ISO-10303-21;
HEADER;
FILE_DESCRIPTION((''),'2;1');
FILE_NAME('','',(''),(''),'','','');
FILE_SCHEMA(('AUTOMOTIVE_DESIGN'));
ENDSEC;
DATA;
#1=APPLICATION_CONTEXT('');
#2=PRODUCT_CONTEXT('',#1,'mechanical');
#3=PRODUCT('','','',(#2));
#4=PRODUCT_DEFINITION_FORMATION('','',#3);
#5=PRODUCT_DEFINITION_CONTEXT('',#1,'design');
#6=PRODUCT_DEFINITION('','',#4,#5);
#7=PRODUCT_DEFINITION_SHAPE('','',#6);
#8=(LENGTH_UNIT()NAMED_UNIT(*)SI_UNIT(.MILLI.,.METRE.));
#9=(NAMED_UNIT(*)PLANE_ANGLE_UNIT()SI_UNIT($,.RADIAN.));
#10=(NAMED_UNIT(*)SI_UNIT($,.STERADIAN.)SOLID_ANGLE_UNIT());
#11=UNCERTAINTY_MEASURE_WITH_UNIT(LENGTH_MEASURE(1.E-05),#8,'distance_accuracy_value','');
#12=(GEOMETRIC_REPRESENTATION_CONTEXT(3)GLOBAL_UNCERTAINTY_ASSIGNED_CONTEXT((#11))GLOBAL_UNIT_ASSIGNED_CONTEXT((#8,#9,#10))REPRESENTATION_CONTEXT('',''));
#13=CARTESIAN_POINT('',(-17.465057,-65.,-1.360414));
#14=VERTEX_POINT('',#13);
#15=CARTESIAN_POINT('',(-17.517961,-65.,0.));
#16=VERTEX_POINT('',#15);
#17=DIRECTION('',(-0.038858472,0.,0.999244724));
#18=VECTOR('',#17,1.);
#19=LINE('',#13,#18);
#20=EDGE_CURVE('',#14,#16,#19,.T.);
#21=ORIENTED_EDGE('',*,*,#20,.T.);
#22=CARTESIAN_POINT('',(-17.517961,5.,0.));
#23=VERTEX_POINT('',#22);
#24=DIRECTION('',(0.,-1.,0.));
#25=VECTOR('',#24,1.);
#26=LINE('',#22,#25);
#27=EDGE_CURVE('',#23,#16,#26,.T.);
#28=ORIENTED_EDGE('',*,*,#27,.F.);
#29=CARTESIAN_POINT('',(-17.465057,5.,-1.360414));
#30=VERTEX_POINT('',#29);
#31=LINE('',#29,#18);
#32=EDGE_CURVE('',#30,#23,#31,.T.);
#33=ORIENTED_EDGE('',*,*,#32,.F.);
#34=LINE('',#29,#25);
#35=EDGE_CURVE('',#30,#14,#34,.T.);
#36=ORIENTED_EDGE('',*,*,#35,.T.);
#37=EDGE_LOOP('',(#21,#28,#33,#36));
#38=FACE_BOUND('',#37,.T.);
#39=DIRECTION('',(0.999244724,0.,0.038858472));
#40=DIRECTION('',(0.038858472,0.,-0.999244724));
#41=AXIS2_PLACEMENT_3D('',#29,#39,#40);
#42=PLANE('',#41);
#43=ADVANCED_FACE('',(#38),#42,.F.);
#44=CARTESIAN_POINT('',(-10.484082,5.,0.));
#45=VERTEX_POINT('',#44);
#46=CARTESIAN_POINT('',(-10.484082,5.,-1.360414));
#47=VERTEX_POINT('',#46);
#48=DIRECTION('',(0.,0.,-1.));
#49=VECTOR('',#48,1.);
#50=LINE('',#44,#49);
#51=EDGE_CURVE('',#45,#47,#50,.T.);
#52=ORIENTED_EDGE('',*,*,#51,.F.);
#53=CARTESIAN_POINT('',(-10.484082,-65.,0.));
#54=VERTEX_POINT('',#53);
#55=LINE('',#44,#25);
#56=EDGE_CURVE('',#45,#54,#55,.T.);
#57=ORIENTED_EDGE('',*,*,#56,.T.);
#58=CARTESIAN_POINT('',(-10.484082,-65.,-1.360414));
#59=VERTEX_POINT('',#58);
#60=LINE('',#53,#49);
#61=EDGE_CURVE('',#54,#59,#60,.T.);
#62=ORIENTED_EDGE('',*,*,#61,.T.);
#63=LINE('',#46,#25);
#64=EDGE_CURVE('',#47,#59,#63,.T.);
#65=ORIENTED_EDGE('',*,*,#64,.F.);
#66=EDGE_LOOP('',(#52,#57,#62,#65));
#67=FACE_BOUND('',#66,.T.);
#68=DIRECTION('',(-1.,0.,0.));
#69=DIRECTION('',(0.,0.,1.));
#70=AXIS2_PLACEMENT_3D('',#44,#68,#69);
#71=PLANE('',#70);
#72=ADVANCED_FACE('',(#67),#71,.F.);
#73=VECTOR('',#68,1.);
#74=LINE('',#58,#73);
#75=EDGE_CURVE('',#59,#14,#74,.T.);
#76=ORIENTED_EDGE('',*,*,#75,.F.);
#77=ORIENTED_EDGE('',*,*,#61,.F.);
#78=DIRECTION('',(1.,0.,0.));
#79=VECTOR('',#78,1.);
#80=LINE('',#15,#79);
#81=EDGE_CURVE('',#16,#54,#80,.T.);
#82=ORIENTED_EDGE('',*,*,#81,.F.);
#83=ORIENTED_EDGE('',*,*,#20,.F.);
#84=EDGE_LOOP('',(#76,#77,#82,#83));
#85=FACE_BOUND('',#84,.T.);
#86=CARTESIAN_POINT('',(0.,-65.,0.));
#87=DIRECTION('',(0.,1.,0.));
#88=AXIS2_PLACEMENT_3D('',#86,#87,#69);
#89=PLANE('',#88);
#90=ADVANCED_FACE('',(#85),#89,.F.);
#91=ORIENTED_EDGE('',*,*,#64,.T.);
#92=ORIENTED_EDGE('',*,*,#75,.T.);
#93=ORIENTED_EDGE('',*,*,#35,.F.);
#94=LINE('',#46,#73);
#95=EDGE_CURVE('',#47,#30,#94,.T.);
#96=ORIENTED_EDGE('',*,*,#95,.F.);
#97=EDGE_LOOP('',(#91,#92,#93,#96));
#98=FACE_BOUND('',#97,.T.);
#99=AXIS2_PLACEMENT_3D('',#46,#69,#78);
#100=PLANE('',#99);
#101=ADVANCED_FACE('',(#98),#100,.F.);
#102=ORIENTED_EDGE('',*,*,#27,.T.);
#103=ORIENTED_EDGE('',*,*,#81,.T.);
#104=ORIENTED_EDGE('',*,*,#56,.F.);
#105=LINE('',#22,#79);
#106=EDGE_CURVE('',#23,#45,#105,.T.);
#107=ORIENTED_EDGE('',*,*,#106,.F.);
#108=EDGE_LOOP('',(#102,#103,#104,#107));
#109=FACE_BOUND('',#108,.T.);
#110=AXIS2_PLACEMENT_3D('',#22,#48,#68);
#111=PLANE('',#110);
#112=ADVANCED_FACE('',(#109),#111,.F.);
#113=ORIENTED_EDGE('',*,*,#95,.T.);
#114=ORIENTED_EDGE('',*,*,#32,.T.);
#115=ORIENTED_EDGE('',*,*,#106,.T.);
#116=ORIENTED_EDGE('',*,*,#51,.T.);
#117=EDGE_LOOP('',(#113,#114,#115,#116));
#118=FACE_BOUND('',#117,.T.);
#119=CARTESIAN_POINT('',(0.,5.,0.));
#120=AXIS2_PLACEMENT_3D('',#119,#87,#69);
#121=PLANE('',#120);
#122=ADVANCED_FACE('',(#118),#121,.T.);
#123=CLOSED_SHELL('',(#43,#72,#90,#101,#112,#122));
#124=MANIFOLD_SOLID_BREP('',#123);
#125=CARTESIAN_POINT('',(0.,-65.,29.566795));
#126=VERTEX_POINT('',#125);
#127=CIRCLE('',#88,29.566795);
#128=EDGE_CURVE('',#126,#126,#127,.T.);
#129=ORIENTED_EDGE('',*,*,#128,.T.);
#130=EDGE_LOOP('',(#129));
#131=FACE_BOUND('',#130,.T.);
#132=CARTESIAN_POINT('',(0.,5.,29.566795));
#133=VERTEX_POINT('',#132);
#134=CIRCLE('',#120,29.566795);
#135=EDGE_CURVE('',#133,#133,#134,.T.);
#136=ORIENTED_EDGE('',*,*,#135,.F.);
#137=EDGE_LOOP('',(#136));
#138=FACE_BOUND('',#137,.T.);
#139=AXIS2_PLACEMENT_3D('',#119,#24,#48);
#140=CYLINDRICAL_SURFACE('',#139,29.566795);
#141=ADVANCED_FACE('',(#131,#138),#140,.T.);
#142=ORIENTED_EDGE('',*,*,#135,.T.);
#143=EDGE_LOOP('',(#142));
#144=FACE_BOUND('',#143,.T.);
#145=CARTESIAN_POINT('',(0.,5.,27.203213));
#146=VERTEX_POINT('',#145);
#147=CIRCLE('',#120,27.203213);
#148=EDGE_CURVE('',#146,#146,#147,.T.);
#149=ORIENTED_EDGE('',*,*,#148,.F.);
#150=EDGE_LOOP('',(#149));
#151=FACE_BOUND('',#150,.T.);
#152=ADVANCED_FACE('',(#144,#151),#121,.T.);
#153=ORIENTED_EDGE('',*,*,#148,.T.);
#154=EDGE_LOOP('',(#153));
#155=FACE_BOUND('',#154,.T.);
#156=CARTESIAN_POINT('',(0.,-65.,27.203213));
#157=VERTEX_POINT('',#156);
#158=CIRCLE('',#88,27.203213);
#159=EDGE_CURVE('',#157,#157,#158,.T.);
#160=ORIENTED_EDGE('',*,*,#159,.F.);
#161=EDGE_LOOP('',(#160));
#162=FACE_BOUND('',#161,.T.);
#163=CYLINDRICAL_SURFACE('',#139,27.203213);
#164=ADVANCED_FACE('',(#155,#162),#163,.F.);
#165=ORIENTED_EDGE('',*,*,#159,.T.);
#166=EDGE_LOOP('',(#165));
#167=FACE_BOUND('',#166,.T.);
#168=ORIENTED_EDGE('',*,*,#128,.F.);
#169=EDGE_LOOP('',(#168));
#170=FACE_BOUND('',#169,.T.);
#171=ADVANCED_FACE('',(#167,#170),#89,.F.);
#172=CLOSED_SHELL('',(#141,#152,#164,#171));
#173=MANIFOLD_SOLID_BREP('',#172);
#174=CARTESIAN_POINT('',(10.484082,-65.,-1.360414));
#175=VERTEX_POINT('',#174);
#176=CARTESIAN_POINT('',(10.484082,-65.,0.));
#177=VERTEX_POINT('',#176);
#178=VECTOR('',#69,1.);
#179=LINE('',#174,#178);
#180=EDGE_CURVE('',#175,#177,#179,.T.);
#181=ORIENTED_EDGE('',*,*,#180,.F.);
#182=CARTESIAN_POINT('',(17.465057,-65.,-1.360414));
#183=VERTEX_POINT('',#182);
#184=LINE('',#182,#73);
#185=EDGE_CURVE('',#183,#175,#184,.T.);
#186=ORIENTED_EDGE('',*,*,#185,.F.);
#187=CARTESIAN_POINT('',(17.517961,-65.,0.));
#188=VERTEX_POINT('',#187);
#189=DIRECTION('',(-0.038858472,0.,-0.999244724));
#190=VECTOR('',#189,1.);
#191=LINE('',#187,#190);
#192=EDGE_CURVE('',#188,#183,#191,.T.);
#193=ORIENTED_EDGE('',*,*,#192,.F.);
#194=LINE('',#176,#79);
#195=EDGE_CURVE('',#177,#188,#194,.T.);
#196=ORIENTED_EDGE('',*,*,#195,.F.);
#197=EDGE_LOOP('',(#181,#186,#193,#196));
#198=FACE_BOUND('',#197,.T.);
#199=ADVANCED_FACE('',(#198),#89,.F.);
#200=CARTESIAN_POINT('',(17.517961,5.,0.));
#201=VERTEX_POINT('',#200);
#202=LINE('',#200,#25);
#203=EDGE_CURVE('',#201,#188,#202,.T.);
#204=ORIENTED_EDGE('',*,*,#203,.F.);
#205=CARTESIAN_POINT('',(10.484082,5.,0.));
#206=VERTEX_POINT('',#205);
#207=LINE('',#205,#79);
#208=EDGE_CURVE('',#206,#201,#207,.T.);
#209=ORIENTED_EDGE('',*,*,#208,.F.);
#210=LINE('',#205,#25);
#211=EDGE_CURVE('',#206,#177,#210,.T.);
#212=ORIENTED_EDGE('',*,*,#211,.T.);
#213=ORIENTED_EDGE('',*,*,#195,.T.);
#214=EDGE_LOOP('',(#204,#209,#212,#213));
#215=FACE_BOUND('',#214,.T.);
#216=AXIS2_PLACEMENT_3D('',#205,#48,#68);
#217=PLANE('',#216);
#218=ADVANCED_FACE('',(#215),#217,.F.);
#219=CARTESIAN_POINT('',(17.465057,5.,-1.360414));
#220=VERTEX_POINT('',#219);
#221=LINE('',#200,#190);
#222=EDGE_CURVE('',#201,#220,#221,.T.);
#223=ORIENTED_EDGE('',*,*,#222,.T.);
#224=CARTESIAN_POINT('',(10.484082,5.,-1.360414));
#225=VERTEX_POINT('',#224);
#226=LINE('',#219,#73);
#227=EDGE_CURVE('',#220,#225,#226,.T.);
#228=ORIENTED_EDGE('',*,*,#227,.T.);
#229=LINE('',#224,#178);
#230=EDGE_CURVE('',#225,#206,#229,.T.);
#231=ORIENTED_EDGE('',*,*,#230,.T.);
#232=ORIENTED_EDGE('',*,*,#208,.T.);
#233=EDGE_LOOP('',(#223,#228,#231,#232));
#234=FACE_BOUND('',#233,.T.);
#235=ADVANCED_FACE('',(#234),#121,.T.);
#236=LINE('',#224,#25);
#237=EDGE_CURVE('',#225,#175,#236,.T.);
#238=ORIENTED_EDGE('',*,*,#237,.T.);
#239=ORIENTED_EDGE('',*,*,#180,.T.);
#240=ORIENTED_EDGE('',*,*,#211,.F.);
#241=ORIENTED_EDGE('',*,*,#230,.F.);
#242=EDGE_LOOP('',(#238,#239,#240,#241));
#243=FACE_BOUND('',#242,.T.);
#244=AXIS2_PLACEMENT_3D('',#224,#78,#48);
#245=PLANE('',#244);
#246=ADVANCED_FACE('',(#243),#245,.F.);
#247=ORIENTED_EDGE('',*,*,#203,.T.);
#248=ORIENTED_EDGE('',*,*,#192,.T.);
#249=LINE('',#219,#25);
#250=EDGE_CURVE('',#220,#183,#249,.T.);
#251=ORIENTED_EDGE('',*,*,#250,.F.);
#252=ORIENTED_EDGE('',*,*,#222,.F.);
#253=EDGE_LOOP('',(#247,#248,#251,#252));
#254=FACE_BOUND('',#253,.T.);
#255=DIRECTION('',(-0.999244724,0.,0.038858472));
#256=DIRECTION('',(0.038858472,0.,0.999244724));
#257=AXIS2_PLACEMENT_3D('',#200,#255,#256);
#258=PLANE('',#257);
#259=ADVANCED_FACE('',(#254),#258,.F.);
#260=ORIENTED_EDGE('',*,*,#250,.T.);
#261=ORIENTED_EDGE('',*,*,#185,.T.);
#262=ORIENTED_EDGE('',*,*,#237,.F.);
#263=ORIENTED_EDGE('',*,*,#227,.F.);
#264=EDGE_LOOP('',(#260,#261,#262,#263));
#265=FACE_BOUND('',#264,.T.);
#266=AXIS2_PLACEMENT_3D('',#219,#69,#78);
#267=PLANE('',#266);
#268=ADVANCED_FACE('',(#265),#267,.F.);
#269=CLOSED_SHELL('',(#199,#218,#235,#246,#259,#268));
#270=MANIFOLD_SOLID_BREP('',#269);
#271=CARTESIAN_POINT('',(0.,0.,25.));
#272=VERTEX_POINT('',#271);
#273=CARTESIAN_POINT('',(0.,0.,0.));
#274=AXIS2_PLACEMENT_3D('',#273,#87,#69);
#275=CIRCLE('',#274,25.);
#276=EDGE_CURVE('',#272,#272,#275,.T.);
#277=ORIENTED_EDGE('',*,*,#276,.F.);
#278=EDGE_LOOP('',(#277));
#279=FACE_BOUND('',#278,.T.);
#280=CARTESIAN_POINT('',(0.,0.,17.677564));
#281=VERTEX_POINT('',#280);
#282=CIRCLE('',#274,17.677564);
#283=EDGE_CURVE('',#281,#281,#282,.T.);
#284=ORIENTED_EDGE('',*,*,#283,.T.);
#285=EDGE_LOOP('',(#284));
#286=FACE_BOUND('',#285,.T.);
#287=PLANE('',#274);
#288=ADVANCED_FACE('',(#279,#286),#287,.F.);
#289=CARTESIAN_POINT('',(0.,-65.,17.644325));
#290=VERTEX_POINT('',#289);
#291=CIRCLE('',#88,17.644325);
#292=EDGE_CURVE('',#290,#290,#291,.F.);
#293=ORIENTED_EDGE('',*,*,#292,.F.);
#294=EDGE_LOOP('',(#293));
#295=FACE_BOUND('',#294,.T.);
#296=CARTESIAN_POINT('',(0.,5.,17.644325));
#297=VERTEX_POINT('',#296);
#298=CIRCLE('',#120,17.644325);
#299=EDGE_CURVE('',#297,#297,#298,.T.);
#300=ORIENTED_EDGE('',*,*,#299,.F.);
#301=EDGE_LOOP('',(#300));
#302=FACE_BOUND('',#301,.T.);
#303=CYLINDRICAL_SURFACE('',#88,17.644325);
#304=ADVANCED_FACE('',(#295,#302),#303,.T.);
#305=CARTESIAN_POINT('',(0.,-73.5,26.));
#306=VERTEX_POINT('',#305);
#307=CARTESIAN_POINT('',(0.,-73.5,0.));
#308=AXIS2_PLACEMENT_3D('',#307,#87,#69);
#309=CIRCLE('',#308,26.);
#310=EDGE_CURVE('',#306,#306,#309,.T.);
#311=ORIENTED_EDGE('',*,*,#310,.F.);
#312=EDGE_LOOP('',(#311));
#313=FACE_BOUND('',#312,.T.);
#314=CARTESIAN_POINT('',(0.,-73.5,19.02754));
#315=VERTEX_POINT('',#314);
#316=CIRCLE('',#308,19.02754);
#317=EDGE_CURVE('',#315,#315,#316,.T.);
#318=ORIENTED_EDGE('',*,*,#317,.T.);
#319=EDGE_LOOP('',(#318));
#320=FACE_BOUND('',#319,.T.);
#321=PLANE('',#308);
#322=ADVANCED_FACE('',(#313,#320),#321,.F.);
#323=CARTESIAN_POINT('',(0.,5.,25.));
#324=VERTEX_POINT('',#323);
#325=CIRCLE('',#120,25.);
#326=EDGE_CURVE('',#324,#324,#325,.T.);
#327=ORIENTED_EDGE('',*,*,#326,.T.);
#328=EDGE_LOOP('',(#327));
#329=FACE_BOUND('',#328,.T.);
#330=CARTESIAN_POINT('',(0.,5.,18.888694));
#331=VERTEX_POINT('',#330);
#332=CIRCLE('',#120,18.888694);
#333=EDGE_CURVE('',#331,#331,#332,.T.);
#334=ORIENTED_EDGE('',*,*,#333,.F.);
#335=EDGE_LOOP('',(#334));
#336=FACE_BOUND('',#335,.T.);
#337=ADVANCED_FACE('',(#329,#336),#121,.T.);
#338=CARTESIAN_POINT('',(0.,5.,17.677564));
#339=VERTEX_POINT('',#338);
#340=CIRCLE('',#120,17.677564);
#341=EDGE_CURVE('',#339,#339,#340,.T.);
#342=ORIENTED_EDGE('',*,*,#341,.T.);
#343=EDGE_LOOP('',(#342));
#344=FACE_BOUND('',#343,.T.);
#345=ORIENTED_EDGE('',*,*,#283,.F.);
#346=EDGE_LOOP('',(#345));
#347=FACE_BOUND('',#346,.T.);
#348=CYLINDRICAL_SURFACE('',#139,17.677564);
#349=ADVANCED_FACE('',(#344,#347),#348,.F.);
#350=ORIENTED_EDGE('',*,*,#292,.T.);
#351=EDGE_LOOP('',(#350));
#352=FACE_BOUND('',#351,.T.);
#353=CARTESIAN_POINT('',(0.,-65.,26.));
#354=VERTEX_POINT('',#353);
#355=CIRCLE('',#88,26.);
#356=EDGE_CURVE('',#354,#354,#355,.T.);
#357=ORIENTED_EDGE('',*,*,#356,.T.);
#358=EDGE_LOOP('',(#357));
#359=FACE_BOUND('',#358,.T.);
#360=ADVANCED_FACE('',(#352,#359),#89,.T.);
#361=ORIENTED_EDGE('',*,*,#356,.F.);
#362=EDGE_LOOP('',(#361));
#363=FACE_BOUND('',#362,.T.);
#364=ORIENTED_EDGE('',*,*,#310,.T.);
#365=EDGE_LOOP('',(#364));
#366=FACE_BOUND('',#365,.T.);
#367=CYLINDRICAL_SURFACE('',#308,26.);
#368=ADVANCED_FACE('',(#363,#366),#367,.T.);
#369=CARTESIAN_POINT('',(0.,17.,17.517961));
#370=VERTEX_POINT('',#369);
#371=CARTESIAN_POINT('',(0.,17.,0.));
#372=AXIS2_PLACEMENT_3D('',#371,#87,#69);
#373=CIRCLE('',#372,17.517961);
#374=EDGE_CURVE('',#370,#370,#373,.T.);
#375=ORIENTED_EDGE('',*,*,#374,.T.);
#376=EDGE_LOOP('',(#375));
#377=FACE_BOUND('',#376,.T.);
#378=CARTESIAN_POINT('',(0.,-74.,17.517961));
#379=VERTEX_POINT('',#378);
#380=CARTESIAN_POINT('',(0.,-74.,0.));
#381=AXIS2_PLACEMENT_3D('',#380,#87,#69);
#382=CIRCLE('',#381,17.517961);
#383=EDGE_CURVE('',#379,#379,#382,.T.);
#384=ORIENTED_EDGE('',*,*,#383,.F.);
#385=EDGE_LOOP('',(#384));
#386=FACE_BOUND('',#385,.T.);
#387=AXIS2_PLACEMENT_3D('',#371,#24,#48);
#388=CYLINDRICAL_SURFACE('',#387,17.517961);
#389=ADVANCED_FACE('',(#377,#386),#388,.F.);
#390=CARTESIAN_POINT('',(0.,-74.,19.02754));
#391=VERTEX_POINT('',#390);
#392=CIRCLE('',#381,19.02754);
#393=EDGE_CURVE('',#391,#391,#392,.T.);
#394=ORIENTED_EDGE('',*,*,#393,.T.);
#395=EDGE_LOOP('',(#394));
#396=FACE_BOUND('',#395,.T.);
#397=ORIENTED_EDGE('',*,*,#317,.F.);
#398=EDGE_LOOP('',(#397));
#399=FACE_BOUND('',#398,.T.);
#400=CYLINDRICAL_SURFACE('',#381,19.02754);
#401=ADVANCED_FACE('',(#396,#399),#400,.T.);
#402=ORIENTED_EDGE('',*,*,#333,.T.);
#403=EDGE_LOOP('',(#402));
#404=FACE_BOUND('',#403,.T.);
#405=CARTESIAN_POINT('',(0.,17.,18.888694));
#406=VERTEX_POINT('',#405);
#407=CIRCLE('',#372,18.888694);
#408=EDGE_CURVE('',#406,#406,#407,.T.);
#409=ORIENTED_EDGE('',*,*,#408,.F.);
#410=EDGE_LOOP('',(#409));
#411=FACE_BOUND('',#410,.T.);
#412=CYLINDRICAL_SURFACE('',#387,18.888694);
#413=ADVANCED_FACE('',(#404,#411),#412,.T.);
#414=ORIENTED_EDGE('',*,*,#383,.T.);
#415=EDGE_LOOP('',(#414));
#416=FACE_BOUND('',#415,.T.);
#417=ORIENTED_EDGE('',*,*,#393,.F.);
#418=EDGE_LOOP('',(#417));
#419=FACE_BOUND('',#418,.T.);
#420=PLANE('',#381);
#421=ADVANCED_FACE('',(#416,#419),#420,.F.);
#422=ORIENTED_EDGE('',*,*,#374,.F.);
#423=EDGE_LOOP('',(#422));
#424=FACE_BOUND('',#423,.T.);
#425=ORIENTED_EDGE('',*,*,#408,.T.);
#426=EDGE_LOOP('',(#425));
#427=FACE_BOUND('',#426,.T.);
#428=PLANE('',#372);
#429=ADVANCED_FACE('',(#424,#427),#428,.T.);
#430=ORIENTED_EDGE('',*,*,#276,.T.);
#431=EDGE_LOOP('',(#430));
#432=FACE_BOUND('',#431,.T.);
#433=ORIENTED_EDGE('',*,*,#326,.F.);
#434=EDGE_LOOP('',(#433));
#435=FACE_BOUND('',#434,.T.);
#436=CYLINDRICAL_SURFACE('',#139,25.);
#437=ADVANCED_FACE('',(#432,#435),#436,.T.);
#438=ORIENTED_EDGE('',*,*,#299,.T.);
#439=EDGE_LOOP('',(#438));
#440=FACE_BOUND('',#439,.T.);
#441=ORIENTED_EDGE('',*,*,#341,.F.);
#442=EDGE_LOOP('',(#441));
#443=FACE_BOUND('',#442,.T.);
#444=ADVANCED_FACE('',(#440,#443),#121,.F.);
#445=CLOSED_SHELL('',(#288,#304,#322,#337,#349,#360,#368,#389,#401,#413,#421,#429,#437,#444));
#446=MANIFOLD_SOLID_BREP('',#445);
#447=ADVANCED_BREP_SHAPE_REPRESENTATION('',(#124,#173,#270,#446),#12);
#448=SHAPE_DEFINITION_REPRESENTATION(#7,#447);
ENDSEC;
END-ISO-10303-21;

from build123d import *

# Parameters (mm, degrees)
CROQUIS1_R                = 25
CROQUIS1_R_2              = 17.677564449
SALIENTE_EXTRUIR1_DEPTH   = 5
CROQUIS3_R                = 17.644324771
CROQUIS3_R_2              = 17.517960831
SALIENTE_EXTRUIR3_DEPTH   = 70
CROQUIS6_R                = 26
CROQUIS6_R_2              = 17.517960831
SALIENTE_EXTRUIR5_DEPTH   = 8.5
SALIENTE_EXTRUIR6_DEPTH   = 70
SALIENTE_EXTRUIR6_2_DEPTH = 70
CROQUIS8_R                = 19.027539715
CROQUIS8_R_2              = 17.517960831
SALIENTE_EXTRUIR7_DEPTH   = 9
CROQUIS10_R               = 18.888693874
CROQUIS10_R_2             = 17.517960831
SALIENTE_EXTRUIR8_DEPTH   = 12
CROQUIS11_R               = 29.566795097
CROQUIS11_R_2             = 27.203212772
SALIENTE_EXTRUIR9_DEPTH   = 70


with BuildPart() as part:
    # Croquis1 → Saliente-Extruir1 (new body)
    with BuildSketch(Plane(origin=(0, 0, 0), x_dir=(1, 0, 0), z_dir=(0, 1, 0))):
        Circle(CROQUIS1_R)
        Circle(CROQUIS1_R_2, mode=Mode.SUBTRACT)
    extrude(amount=SALIENTE_EXTRUIR1_DEPTH)



with BuildPart() as body_2:
    # Croquis3 → Saliente-Extruir3 (new body)
    with BuildSketch(Plane(origin=(0, 5, 0), x_dir=(1, 0, 0), z_dir=(0, 1, 0))):
        Circle(CROQUIS3_R)
        Circle(CROQUIS3_R_2, mode=Mode.SUBTRACT)
    extrude(amount=-SALIENTE_EXTRUIR3_DEPTH)

    # Croquis6 → Saliente-Extruir5 (add)
    with BuildSketch(Plane(origin=(0, -65, 0), x_dir=(1, 0, 0), z_dir=(0, 1, 0))):
        Circle(CROQUIS6_R)
        Circle(CROQUIS6_R_2, mode=Mode.SUBTRACT)
    extrude(amount=-SALIENTE_EXTRUIR5_DEPTH)

    # Croquis8 → Saliente-Extruir7 (add)
    with BuildSketch(Plane(origin=(0, -65, 0), x_dir=(1, 0, 0), z_dir=(0, 1, 0))):
        Circle(CROQUIS8_R)
        Circle(CROQUIS8_R_2, mode=Mode.SUBTRACT)
    extrude(amount=-SALIENTE_EXTRUIR7_DEPTH)


with BuildPart() as body_3:
    # Croquis7 → Saliente-Extruir6 (new body, through all)
    with BuildSketch(Plane(origin=(0, -65, 0), x_dir=(1, 0, 0), z_dir=(0, 1, 0))):
        Polygon((17.465057261, 1.360414107), (10.484081817, 1.360414107), (10.484081817, 0), (17.517960831, 0), align=None)
    extrude(amount=SALIENTE_EXTRUIR6_DEPTH)


with BuildPart() as body_4:
    # Croquis7 → Saliente-Extruir6 2 (new body, through all)
    with BuildSketch(Plane(origin=(0, -65, 0), x_dir=(1, 0, 0), z_dir=(0, 1, 0))):
        Polygon((-17.517960831, 0), (-10.484081817, 0), (-10.484081817, 1.360414107), (-17.465057261, 1.360414107), align=None)
    extrude(amount=SALIENTE_EXTRUIR6_2_DEPTH)


with BuildPart() as part_1:
    add(part.part)

    add(body_2.part)  # Saliente-Extruir8 merges body 2
    # Croquis10 → Saliente-Extruir8 (add)
    with BuildSketch(Plane(origin=(0, 5, 0), x_dir=(1, 0, 0), z_dir=(0, 1, 0))):
        Circle(CROQUIS10_R)
        Circle(CROQUIS10_R_2, mode=Mode.SUBTRACT)
    extrude(amount=SALIENTE_EXTRUIR8_DEPTH)


with BuildPart() as body_4_2:
    # Croquis11 → Saliente-Extruir9 (new body)
    with BuildSketch(Plane(origin=(0, -65, 0), x_dir=(1, 0, 0), z_dir=(0, 1, 0))):
        Circle(CROQUIS11_R)
        Circle(CROQUIS11_R_2, mode=Mode.SUBTRACT)
    extrude(amount=SALIENTE_EXTRUIR9_DEPTH)


solid = Compound([body_3.part, body_4.part, part_1.part, body_4_2.part])
